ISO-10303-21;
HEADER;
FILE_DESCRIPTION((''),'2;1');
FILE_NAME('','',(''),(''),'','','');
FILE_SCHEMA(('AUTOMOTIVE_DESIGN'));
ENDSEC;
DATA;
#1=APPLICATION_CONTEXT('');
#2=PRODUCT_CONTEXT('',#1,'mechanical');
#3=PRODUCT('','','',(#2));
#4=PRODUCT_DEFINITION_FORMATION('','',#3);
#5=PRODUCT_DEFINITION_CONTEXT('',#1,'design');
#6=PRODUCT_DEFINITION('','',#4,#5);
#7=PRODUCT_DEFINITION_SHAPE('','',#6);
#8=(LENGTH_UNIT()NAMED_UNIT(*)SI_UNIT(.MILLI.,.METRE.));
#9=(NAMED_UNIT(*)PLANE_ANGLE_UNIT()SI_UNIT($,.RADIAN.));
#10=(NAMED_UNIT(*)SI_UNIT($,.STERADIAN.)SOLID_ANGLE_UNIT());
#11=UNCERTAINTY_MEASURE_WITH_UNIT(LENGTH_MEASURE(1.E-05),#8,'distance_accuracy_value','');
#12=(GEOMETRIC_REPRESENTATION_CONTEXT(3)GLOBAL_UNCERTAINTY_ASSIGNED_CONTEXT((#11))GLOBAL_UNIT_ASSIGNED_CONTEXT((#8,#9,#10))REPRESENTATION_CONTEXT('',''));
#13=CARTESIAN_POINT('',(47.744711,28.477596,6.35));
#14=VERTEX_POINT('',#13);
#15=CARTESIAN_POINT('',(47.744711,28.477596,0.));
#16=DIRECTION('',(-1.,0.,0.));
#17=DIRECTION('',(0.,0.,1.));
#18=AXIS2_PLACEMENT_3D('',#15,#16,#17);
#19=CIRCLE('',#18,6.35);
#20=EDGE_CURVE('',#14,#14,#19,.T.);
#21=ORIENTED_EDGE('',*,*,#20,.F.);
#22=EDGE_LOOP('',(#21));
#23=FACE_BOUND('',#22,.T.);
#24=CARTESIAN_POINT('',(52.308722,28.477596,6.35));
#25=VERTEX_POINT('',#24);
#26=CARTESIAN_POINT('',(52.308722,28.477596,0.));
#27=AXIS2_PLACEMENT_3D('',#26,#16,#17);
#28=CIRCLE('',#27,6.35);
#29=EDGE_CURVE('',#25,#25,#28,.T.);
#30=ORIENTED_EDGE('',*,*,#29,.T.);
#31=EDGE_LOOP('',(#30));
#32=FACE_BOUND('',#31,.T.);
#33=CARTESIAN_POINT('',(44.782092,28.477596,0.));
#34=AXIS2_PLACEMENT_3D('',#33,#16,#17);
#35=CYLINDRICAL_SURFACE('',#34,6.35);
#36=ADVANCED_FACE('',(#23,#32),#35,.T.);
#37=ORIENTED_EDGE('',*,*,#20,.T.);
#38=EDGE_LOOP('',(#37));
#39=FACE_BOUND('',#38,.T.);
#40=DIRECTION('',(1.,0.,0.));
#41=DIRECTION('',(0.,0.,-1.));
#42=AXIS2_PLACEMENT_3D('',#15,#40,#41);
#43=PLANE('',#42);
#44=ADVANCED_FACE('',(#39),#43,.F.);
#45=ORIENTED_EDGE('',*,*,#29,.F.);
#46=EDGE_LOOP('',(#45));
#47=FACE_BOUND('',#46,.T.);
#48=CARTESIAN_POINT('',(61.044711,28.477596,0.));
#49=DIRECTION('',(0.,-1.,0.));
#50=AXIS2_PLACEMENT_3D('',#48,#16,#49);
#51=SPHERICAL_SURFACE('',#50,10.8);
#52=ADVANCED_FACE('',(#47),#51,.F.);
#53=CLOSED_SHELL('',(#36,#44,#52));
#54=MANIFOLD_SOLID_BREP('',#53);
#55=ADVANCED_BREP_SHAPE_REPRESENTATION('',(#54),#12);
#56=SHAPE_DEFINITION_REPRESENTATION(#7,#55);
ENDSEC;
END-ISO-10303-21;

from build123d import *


with BuildPart() as part:
    # 草图1 → 旋转1 (revolve)
    with BuildSketch(Plane.XY, mode=Mode.PRIVATE) as revolve_1_sk:
        with BuildLine():
            Line((47.744711016, 28.477595635), (47.744711016, 34.827595635))
            Line((47.744711016, 34.827595635), (52.308722234, 34.827595635))
            ThreePointArc((52.308722234, 34.827595635), (50.77366728, 31.816107365), (50.244711016, 28.477595635))
            Line((50.244711016, 28.477595635), (47.744711016, 28.477595635))
        make_face()
    revolve(revolve_1_sk.sketch.rotate(Axis((44.782091903, 28.477595635, 0), (1, 0, 0)), 180), axis=Axis((44.782091903, 28.477595635, 0), (1, 0, 0)))  # turned: the seam where the file's is


solid = part.part
